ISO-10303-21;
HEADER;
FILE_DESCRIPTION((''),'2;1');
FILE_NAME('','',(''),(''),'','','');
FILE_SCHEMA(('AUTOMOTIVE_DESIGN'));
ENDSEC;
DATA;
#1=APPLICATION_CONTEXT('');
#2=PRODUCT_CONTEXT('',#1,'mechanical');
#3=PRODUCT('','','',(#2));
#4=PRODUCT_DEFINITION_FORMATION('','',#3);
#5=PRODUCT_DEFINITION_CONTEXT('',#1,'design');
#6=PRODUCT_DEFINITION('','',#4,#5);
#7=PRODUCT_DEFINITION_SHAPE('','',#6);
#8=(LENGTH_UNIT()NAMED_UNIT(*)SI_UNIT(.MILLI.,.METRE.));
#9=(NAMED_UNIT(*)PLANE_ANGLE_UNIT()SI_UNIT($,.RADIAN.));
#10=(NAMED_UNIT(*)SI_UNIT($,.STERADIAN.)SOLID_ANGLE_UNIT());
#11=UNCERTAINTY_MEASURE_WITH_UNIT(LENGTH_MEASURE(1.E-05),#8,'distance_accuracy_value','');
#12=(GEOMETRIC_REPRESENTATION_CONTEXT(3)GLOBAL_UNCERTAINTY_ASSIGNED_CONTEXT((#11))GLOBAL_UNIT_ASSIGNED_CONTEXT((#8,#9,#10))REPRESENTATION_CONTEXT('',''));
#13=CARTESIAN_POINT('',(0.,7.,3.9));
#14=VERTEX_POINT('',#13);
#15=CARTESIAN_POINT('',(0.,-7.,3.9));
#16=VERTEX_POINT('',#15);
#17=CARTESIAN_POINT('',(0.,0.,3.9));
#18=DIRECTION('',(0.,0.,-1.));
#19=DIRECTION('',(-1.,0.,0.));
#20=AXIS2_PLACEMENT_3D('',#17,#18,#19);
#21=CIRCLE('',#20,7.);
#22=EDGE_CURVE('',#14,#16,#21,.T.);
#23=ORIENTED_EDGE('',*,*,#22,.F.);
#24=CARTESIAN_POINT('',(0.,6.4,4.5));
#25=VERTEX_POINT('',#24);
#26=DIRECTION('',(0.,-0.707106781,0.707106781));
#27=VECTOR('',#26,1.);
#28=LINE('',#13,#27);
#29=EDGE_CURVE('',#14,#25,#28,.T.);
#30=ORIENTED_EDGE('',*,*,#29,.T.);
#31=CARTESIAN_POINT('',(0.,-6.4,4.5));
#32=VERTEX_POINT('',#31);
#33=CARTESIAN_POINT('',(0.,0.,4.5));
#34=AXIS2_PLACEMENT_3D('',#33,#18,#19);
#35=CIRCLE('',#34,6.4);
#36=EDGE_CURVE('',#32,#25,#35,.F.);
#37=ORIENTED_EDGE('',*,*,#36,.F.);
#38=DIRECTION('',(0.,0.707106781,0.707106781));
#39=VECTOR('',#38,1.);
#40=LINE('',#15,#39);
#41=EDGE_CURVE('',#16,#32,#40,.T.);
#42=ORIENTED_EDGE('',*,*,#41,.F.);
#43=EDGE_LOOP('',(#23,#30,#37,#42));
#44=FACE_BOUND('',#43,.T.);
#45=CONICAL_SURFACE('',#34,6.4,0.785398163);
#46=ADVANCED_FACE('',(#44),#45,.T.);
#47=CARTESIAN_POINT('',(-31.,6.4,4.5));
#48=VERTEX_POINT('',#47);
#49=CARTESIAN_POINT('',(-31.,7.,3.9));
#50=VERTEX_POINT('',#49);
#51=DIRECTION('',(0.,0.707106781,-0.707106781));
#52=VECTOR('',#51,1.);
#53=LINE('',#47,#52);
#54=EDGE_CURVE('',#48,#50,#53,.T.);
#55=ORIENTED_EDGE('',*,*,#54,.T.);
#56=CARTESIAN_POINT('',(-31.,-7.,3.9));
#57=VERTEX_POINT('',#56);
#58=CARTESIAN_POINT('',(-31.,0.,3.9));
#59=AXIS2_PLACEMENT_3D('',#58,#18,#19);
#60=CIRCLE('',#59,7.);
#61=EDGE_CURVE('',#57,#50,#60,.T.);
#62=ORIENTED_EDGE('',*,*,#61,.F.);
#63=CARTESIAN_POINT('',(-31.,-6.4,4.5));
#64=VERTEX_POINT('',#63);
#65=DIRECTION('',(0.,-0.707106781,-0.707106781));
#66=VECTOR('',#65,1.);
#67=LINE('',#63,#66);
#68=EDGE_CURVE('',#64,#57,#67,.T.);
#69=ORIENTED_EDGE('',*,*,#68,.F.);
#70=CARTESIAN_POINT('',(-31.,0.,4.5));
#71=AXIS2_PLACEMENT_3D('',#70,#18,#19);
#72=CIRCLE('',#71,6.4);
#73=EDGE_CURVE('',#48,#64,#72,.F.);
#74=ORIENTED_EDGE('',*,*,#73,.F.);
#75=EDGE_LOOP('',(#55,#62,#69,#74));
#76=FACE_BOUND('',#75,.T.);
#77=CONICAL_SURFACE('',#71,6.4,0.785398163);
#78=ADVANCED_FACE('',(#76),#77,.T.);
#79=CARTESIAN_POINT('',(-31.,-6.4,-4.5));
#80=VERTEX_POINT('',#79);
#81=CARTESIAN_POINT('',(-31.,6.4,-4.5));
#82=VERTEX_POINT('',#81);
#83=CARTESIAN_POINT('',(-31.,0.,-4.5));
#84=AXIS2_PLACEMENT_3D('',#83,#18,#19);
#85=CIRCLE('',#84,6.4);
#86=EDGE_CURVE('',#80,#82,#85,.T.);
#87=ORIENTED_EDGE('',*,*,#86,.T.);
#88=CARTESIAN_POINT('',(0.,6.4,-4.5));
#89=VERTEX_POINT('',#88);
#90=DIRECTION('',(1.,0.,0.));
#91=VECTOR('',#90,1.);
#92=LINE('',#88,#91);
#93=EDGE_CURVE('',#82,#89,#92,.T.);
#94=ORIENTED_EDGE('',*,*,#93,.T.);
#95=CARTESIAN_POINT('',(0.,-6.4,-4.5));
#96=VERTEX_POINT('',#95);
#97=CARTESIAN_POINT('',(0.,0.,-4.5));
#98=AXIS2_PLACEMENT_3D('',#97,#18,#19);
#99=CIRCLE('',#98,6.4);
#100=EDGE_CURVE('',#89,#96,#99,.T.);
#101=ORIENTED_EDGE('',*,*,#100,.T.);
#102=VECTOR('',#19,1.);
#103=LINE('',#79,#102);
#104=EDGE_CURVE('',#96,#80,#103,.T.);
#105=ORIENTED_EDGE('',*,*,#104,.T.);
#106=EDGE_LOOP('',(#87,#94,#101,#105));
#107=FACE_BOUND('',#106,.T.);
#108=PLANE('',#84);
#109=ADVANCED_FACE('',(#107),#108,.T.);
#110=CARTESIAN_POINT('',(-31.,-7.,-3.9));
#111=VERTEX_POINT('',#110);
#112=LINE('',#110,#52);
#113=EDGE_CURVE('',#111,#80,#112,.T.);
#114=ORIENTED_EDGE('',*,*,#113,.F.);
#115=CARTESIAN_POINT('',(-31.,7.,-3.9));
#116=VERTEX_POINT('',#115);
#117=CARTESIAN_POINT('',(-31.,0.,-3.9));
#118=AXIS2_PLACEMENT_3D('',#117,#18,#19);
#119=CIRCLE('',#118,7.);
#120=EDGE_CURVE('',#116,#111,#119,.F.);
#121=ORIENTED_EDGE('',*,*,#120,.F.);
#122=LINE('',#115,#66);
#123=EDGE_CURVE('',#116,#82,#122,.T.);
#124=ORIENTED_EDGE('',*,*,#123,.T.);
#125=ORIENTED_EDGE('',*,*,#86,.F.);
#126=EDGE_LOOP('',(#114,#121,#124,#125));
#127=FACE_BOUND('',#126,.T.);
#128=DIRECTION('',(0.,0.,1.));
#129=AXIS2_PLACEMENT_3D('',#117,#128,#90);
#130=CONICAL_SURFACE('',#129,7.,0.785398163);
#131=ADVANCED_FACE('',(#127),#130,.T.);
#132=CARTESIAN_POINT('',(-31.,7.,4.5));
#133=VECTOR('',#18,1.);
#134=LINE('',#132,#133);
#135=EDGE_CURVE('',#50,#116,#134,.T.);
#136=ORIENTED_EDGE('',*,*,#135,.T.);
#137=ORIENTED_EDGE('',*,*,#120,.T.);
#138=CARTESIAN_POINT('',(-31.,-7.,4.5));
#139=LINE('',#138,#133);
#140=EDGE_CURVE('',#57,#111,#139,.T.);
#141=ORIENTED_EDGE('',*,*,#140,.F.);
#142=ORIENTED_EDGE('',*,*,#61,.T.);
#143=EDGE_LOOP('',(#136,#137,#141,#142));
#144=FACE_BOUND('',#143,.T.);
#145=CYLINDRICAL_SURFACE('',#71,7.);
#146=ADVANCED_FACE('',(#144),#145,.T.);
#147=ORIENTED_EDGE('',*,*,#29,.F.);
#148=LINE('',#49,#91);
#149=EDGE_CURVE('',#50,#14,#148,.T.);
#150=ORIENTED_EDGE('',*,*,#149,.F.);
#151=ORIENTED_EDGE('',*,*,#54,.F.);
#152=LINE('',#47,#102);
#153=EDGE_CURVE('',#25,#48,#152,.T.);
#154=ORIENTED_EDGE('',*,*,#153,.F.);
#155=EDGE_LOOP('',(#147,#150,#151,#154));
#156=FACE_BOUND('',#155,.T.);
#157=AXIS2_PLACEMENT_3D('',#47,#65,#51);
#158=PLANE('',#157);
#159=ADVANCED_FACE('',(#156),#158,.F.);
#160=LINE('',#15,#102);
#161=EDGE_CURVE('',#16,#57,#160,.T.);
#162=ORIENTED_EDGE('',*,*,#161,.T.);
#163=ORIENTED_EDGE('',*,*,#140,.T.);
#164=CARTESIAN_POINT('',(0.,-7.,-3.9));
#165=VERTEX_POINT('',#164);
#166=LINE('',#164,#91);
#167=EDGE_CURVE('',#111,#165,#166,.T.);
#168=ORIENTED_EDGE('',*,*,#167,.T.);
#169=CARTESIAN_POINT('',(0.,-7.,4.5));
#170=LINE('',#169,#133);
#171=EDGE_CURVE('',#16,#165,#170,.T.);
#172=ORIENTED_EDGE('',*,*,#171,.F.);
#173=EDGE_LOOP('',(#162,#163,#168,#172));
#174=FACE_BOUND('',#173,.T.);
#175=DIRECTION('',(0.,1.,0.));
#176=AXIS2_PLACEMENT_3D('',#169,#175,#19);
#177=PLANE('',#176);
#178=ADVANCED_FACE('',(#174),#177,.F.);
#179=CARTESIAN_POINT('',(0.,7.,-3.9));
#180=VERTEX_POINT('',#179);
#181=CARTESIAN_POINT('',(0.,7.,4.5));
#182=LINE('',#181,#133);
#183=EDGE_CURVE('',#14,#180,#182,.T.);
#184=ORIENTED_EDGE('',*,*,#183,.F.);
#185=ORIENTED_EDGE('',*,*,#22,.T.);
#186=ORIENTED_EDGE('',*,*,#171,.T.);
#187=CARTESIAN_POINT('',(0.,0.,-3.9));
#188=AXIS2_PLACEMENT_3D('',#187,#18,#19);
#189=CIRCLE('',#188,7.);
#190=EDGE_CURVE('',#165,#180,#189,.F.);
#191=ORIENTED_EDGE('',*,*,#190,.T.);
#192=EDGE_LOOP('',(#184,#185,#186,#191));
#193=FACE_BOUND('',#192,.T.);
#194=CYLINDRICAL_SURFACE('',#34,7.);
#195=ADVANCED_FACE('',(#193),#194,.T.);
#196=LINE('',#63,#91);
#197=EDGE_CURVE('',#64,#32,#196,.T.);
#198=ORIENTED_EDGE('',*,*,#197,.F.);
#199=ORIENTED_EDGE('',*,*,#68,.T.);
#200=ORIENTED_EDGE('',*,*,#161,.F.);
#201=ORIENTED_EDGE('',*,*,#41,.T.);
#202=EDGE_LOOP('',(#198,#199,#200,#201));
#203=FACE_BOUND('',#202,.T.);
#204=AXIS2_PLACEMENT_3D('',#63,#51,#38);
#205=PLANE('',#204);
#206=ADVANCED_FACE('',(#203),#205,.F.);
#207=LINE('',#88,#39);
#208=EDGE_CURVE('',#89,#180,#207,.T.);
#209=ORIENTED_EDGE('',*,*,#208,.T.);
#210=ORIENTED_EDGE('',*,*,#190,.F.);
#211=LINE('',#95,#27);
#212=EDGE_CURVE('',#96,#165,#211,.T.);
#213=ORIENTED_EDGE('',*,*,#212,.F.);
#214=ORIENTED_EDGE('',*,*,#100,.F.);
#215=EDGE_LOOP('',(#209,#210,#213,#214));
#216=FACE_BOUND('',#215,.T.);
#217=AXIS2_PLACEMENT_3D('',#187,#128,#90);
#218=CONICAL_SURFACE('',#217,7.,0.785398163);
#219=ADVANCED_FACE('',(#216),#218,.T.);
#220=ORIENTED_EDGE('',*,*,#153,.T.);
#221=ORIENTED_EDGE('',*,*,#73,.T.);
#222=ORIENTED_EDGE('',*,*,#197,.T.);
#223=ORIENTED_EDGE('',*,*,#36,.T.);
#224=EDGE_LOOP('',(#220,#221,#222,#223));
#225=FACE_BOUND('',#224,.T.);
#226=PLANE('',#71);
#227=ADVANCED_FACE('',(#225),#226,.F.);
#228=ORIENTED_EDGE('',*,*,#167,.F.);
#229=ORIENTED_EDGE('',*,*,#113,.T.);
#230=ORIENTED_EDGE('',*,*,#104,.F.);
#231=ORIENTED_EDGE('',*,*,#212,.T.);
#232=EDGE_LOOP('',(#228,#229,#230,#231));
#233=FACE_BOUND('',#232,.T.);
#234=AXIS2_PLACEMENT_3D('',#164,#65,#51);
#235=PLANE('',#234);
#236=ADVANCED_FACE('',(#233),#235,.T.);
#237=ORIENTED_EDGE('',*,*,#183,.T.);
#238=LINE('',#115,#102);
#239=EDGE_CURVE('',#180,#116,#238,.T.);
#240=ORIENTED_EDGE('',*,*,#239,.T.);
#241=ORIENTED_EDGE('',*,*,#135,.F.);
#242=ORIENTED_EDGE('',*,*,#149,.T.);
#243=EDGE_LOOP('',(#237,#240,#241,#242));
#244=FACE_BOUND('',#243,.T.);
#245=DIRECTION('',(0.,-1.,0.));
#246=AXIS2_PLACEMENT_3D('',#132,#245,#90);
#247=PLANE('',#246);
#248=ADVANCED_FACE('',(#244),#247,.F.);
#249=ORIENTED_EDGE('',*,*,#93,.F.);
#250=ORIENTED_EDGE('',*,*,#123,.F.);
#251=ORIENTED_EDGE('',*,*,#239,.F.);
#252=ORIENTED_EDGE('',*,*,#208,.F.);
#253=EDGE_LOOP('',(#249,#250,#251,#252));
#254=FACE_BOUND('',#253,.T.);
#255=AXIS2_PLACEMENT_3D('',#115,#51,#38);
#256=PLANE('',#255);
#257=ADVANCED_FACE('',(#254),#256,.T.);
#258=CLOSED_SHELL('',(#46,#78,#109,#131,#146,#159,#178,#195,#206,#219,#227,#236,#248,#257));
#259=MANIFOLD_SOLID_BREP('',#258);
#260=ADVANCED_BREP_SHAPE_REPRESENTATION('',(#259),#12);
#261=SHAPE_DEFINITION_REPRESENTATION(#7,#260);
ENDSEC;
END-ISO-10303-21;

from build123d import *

# Parameters (mm, degrees)
BASEKEY_DEPTH = 4.5
CHAMFER1_SIZE = 0.6


with BuildPart() as part:
    # Sketch1 → BaseKey (new, symmetric)
    with BuildSketch(Plane.XY):
        with BuildLine():
            Line((-31, 7), (0, 7))
            ThreePointArc((0, 7), (7, 0), (0, -7))
            Line((0, -7), (-31, -7))
            ThreePointArc((-31, -7), (-38, 0), (-31, 7))
        make_face()
    extrude(amount=BASEKEY_DEPTH, both=True)

    # Chamfer1
    chamfer1_edges = [part.edges().sort_by_distance(p)[0] for p in [
        (7, 0, 4.5),
        (-15.5, 7, 4.5),
        (-38, 0, 4.5),
        (-15.5, 7, -4.5),
        (7, 0, -4.5),
        (-15.5, -7, -4.5),
        (-38, 0, -4.5),
        (-15.5, -7, 4.5),
    ]]
    chamfer(chamfer1_edges, length=CHAMFER1_SIZE)


solid = part.part
